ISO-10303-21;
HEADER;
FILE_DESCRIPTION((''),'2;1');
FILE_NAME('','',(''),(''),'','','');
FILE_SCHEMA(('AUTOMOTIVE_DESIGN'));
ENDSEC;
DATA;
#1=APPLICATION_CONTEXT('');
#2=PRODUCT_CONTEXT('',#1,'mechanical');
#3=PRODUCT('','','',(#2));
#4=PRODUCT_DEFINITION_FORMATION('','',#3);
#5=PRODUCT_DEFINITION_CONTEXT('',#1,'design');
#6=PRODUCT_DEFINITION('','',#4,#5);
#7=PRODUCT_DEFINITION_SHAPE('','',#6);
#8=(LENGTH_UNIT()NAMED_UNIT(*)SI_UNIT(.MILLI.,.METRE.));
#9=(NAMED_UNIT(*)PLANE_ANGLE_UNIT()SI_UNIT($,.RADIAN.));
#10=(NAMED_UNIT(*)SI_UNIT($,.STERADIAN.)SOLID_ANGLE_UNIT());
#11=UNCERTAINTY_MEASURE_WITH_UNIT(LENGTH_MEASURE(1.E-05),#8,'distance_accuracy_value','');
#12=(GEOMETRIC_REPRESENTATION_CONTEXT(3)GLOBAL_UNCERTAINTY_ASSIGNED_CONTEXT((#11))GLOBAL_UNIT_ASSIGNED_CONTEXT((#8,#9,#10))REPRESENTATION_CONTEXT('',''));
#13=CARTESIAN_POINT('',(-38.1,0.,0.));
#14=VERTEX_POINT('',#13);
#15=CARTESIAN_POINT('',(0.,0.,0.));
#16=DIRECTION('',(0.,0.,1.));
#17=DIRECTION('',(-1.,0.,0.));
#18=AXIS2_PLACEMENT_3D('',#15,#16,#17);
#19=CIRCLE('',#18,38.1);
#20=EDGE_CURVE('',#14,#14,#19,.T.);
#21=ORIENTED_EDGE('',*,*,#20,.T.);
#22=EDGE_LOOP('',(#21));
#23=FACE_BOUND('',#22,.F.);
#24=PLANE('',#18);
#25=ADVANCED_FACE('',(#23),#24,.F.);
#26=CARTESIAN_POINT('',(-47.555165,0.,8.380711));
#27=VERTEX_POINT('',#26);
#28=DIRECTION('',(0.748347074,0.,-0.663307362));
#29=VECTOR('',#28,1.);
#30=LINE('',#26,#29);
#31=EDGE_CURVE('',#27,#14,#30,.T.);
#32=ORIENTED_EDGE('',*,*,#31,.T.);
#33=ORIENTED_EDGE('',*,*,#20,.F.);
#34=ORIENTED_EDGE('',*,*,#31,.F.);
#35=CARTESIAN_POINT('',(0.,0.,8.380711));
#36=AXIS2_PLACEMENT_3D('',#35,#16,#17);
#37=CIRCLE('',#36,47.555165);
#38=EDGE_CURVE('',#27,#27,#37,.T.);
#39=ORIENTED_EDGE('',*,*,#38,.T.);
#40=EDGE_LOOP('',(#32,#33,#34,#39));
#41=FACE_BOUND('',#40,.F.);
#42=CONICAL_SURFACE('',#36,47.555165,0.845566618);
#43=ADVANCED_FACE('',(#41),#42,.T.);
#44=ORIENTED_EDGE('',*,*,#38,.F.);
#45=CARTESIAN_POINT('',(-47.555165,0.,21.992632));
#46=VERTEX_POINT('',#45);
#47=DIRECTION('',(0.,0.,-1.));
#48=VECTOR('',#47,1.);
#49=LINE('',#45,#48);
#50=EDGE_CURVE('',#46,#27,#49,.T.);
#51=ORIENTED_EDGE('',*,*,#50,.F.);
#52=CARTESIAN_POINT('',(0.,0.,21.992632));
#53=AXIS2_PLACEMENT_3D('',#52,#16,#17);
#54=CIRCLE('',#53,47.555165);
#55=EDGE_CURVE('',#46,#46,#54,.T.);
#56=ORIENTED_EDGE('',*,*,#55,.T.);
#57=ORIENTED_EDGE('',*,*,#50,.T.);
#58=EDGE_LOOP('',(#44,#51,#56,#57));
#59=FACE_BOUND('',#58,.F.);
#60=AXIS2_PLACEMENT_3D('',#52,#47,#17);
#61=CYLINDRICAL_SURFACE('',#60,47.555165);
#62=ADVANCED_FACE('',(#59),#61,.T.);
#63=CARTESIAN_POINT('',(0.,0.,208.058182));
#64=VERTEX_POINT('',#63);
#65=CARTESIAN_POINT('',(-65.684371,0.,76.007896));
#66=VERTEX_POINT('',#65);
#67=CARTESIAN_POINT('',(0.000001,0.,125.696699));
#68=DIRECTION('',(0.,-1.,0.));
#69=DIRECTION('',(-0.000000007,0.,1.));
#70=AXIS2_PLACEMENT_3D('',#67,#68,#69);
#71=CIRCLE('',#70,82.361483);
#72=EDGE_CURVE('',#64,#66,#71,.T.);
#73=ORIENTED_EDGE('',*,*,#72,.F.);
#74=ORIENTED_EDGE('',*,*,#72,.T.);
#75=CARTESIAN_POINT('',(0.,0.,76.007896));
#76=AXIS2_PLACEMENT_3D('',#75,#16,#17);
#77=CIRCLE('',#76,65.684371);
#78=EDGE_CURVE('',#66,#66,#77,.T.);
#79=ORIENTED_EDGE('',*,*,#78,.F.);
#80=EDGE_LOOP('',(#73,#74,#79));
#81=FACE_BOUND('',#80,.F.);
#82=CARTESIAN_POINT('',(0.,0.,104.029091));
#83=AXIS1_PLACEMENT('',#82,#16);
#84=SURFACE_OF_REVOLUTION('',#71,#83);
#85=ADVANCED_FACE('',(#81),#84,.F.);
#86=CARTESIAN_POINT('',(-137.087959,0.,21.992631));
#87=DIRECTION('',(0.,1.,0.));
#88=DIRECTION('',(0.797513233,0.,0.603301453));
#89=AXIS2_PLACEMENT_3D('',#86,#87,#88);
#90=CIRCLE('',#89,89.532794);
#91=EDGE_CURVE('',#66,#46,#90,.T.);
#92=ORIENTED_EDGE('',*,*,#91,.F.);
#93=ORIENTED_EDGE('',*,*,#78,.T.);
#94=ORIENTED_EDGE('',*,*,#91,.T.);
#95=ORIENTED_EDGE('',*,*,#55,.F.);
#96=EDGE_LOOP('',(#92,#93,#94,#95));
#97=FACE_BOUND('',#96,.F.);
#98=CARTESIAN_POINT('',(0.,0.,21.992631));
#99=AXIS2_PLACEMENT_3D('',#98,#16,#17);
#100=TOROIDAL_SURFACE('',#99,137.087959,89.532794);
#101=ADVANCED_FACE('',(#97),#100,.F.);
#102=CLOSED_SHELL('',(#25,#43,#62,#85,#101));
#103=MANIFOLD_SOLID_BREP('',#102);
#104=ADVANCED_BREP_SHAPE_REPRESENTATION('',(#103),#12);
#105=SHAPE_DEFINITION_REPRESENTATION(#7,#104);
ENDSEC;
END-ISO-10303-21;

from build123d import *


with BuildPart() as f1:
    # F0 (on Front) → F1 (revolve)
    with BuildSketch(Plane.XZ):
        with BuildLine():
            Line((-47.555165, 8.380711), (-38.1, 0))
            Line((-38.1, 0), (0, 0))
            Line((0, 0), (0, 208.058182))
            ThreePointArc((0, 208.058182), (-73.742312, 162.377555), (-65.684371, 76.007896))
            ThreePointArc((-65.684371, 76.007896), (-52.208386, 50.480862), (-47.555165, 21.992632))
            Line((-47.555165, 21.992632), (-47.555165, 8.380711))
        make_face()
    revolve(axis=Axis((0, 0, 104.029091), (0, 0, 1)))


solid = f1.part
